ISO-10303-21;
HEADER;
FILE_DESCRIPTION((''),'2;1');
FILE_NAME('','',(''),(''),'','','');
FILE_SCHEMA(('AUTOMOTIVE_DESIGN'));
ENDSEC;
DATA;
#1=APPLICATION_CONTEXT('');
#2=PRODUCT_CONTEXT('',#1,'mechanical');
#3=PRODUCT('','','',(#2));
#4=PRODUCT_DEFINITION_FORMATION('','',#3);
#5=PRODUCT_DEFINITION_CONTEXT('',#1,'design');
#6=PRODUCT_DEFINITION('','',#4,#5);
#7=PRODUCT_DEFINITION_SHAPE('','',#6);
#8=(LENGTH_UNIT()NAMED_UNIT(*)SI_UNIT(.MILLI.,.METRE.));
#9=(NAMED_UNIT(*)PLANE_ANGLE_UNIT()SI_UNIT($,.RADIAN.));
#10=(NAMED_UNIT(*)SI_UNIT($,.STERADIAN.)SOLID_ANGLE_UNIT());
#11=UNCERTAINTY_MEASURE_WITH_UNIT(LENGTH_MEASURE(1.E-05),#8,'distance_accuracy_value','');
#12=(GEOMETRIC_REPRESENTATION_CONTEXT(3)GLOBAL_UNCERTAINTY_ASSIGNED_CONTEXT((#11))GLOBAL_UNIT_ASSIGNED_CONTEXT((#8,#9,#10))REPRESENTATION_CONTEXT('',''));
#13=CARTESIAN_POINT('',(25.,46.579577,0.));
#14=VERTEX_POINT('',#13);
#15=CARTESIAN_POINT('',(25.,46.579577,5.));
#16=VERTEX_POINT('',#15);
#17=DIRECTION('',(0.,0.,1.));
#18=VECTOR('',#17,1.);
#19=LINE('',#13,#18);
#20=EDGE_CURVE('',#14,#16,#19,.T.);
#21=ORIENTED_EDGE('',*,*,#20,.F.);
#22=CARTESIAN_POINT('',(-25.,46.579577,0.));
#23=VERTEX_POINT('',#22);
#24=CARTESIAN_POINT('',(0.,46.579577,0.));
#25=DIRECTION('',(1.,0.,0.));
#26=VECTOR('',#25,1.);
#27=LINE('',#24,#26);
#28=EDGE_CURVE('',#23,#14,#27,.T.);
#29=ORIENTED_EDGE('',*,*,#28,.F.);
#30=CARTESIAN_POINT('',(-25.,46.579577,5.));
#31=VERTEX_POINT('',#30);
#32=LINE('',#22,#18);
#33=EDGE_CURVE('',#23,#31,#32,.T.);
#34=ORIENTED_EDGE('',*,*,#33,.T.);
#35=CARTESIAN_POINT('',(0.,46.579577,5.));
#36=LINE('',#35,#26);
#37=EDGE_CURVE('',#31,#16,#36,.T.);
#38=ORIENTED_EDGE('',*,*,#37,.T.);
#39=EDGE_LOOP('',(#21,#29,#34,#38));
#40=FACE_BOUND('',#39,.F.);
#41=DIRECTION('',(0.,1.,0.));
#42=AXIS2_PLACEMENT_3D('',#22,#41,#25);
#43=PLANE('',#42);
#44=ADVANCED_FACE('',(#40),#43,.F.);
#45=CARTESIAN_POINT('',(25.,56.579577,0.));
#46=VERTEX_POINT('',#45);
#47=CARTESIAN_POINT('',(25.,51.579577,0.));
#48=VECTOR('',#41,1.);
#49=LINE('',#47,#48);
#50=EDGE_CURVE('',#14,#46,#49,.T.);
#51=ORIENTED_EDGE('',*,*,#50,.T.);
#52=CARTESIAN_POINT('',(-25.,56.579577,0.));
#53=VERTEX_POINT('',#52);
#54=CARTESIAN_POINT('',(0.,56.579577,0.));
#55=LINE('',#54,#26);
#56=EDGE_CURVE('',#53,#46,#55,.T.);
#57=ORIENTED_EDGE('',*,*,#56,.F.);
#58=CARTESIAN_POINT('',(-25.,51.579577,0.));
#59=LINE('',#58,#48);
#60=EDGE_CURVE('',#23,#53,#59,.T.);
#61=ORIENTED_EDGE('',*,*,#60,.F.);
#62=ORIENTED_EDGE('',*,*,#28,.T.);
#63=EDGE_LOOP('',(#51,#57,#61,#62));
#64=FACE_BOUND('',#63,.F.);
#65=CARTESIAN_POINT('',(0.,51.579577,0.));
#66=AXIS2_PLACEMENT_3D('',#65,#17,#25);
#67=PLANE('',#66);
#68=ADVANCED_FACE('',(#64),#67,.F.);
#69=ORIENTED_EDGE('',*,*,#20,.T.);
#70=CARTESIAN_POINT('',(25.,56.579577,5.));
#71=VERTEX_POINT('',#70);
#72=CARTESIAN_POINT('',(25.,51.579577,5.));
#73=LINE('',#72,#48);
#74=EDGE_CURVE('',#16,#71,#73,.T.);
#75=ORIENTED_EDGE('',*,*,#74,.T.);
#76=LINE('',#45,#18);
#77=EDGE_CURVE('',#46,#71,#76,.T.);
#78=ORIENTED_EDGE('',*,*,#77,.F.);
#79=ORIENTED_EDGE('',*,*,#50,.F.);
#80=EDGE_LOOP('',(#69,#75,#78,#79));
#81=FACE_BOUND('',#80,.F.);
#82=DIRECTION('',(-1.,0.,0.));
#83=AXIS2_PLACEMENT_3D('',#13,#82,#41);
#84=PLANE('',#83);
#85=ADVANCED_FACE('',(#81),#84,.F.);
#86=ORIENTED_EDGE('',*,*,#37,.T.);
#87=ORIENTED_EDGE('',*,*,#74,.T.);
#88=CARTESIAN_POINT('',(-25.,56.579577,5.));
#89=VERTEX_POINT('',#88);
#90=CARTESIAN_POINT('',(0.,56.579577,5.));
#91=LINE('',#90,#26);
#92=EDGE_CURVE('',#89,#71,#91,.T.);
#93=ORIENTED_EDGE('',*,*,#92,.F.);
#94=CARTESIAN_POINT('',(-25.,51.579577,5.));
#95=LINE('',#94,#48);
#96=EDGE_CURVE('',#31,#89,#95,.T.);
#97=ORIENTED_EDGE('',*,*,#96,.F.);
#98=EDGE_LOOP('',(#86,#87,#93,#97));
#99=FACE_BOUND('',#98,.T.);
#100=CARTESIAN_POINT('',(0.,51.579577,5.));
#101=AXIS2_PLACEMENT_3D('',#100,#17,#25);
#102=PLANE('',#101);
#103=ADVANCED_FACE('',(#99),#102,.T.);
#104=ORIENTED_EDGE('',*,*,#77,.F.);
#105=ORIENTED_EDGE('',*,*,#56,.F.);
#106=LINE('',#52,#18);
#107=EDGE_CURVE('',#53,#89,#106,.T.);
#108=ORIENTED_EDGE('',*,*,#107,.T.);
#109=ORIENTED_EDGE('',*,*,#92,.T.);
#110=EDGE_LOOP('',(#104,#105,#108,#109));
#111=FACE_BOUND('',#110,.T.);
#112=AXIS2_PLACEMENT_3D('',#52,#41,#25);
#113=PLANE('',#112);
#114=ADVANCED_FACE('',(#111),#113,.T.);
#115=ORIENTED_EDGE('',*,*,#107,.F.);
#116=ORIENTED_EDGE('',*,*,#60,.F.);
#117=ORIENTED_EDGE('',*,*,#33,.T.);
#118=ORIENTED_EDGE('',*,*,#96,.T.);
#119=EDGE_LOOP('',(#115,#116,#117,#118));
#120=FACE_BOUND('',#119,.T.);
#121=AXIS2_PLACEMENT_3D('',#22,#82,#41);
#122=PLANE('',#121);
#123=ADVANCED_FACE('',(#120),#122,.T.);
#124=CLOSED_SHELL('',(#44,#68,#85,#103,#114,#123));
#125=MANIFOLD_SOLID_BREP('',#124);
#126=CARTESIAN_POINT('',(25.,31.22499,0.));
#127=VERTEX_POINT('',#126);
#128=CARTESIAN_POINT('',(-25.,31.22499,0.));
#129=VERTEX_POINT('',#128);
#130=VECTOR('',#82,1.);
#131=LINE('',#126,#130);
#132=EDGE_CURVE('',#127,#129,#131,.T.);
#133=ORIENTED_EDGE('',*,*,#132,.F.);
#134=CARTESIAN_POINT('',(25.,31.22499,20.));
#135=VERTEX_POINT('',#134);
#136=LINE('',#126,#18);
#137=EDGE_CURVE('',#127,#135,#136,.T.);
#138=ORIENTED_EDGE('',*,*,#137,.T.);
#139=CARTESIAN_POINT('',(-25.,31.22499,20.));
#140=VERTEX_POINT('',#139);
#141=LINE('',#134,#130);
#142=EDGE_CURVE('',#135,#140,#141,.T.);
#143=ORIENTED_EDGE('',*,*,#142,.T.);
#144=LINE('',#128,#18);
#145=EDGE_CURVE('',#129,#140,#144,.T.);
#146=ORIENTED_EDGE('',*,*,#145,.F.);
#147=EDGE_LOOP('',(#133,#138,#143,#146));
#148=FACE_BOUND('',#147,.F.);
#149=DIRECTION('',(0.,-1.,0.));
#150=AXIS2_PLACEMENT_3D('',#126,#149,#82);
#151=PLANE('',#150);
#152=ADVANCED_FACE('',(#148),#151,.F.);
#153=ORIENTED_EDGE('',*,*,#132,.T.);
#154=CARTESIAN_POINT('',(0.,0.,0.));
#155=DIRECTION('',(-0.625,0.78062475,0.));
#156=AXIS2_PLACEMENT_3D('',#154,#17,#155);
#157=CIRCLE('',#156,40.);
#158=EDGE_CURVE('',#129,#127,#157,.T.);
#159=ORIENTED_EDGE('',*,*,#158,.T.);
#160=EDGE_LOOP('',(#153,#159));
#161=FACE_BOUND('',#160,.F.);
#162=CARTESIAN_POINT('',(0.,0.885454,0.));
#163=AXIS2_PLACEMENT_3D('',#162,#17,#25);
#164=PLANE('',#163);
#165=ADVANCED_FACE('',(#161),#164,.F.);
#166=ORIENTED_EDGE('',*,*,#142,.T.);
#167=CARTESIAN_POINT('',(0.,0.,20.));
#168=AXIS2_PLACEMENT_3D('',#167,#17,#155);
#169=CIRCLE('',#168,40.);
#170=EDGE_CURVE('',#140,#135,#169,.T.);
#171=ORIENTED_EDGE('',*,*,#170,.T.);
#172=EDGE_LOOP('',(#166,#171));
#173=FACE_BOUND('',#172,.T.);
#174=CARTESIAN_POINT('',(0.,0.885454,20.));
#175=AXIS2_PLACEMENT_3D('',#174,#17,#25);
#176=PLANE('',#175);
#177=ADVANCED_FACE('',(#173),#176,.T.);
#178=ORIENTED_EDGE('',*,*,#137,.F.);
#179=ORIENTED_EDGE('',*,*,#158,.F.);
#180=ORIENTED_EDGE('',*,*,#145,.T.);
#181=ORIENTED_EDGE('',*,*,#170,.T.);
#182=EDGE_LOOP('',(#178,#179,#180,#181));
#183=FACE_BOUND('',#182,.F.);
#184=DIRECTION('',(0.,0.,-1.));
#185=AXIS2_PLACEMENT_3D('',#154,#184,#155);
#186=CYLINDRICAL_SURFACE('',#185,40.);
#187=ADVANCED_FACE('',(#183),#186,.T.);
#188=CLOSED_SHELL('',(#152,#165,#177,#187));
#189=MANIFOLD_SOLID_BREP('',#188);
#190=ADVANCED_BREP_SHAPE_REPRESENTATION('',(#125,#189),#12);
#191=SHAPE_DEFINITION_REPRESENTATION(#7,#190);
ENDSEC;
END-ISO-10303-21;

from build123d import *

# Parameters (mm, degrees)
F1_DEPTH = 20
F0_W     = 50
F0_H     = 10
F2_DEPTH = 5


with BuildPart() as f1:
    # F0 (on Top) → F1 (new body)
    with BuildSketch(Plane.XY):
        with BuildLine():
            Line((25, 31.22499), (-25, 31.22499))
            ThreePointArc((-25, 31.22499), (0, -40), (25, 31.22499))
        make_face()
    extrude(amount=F1_DEPTH)


with BuildPart() as f2:
    # F0 (on Top) → F2 (new body)
    with BuildSketch(Plane.XY):
        with Locations((0, 51.579577)):
            Rectangle(F0_W, F0_H)
    extrude(amount=F2_DEPTH)


solid = Compound([f1.part, f2.part])
